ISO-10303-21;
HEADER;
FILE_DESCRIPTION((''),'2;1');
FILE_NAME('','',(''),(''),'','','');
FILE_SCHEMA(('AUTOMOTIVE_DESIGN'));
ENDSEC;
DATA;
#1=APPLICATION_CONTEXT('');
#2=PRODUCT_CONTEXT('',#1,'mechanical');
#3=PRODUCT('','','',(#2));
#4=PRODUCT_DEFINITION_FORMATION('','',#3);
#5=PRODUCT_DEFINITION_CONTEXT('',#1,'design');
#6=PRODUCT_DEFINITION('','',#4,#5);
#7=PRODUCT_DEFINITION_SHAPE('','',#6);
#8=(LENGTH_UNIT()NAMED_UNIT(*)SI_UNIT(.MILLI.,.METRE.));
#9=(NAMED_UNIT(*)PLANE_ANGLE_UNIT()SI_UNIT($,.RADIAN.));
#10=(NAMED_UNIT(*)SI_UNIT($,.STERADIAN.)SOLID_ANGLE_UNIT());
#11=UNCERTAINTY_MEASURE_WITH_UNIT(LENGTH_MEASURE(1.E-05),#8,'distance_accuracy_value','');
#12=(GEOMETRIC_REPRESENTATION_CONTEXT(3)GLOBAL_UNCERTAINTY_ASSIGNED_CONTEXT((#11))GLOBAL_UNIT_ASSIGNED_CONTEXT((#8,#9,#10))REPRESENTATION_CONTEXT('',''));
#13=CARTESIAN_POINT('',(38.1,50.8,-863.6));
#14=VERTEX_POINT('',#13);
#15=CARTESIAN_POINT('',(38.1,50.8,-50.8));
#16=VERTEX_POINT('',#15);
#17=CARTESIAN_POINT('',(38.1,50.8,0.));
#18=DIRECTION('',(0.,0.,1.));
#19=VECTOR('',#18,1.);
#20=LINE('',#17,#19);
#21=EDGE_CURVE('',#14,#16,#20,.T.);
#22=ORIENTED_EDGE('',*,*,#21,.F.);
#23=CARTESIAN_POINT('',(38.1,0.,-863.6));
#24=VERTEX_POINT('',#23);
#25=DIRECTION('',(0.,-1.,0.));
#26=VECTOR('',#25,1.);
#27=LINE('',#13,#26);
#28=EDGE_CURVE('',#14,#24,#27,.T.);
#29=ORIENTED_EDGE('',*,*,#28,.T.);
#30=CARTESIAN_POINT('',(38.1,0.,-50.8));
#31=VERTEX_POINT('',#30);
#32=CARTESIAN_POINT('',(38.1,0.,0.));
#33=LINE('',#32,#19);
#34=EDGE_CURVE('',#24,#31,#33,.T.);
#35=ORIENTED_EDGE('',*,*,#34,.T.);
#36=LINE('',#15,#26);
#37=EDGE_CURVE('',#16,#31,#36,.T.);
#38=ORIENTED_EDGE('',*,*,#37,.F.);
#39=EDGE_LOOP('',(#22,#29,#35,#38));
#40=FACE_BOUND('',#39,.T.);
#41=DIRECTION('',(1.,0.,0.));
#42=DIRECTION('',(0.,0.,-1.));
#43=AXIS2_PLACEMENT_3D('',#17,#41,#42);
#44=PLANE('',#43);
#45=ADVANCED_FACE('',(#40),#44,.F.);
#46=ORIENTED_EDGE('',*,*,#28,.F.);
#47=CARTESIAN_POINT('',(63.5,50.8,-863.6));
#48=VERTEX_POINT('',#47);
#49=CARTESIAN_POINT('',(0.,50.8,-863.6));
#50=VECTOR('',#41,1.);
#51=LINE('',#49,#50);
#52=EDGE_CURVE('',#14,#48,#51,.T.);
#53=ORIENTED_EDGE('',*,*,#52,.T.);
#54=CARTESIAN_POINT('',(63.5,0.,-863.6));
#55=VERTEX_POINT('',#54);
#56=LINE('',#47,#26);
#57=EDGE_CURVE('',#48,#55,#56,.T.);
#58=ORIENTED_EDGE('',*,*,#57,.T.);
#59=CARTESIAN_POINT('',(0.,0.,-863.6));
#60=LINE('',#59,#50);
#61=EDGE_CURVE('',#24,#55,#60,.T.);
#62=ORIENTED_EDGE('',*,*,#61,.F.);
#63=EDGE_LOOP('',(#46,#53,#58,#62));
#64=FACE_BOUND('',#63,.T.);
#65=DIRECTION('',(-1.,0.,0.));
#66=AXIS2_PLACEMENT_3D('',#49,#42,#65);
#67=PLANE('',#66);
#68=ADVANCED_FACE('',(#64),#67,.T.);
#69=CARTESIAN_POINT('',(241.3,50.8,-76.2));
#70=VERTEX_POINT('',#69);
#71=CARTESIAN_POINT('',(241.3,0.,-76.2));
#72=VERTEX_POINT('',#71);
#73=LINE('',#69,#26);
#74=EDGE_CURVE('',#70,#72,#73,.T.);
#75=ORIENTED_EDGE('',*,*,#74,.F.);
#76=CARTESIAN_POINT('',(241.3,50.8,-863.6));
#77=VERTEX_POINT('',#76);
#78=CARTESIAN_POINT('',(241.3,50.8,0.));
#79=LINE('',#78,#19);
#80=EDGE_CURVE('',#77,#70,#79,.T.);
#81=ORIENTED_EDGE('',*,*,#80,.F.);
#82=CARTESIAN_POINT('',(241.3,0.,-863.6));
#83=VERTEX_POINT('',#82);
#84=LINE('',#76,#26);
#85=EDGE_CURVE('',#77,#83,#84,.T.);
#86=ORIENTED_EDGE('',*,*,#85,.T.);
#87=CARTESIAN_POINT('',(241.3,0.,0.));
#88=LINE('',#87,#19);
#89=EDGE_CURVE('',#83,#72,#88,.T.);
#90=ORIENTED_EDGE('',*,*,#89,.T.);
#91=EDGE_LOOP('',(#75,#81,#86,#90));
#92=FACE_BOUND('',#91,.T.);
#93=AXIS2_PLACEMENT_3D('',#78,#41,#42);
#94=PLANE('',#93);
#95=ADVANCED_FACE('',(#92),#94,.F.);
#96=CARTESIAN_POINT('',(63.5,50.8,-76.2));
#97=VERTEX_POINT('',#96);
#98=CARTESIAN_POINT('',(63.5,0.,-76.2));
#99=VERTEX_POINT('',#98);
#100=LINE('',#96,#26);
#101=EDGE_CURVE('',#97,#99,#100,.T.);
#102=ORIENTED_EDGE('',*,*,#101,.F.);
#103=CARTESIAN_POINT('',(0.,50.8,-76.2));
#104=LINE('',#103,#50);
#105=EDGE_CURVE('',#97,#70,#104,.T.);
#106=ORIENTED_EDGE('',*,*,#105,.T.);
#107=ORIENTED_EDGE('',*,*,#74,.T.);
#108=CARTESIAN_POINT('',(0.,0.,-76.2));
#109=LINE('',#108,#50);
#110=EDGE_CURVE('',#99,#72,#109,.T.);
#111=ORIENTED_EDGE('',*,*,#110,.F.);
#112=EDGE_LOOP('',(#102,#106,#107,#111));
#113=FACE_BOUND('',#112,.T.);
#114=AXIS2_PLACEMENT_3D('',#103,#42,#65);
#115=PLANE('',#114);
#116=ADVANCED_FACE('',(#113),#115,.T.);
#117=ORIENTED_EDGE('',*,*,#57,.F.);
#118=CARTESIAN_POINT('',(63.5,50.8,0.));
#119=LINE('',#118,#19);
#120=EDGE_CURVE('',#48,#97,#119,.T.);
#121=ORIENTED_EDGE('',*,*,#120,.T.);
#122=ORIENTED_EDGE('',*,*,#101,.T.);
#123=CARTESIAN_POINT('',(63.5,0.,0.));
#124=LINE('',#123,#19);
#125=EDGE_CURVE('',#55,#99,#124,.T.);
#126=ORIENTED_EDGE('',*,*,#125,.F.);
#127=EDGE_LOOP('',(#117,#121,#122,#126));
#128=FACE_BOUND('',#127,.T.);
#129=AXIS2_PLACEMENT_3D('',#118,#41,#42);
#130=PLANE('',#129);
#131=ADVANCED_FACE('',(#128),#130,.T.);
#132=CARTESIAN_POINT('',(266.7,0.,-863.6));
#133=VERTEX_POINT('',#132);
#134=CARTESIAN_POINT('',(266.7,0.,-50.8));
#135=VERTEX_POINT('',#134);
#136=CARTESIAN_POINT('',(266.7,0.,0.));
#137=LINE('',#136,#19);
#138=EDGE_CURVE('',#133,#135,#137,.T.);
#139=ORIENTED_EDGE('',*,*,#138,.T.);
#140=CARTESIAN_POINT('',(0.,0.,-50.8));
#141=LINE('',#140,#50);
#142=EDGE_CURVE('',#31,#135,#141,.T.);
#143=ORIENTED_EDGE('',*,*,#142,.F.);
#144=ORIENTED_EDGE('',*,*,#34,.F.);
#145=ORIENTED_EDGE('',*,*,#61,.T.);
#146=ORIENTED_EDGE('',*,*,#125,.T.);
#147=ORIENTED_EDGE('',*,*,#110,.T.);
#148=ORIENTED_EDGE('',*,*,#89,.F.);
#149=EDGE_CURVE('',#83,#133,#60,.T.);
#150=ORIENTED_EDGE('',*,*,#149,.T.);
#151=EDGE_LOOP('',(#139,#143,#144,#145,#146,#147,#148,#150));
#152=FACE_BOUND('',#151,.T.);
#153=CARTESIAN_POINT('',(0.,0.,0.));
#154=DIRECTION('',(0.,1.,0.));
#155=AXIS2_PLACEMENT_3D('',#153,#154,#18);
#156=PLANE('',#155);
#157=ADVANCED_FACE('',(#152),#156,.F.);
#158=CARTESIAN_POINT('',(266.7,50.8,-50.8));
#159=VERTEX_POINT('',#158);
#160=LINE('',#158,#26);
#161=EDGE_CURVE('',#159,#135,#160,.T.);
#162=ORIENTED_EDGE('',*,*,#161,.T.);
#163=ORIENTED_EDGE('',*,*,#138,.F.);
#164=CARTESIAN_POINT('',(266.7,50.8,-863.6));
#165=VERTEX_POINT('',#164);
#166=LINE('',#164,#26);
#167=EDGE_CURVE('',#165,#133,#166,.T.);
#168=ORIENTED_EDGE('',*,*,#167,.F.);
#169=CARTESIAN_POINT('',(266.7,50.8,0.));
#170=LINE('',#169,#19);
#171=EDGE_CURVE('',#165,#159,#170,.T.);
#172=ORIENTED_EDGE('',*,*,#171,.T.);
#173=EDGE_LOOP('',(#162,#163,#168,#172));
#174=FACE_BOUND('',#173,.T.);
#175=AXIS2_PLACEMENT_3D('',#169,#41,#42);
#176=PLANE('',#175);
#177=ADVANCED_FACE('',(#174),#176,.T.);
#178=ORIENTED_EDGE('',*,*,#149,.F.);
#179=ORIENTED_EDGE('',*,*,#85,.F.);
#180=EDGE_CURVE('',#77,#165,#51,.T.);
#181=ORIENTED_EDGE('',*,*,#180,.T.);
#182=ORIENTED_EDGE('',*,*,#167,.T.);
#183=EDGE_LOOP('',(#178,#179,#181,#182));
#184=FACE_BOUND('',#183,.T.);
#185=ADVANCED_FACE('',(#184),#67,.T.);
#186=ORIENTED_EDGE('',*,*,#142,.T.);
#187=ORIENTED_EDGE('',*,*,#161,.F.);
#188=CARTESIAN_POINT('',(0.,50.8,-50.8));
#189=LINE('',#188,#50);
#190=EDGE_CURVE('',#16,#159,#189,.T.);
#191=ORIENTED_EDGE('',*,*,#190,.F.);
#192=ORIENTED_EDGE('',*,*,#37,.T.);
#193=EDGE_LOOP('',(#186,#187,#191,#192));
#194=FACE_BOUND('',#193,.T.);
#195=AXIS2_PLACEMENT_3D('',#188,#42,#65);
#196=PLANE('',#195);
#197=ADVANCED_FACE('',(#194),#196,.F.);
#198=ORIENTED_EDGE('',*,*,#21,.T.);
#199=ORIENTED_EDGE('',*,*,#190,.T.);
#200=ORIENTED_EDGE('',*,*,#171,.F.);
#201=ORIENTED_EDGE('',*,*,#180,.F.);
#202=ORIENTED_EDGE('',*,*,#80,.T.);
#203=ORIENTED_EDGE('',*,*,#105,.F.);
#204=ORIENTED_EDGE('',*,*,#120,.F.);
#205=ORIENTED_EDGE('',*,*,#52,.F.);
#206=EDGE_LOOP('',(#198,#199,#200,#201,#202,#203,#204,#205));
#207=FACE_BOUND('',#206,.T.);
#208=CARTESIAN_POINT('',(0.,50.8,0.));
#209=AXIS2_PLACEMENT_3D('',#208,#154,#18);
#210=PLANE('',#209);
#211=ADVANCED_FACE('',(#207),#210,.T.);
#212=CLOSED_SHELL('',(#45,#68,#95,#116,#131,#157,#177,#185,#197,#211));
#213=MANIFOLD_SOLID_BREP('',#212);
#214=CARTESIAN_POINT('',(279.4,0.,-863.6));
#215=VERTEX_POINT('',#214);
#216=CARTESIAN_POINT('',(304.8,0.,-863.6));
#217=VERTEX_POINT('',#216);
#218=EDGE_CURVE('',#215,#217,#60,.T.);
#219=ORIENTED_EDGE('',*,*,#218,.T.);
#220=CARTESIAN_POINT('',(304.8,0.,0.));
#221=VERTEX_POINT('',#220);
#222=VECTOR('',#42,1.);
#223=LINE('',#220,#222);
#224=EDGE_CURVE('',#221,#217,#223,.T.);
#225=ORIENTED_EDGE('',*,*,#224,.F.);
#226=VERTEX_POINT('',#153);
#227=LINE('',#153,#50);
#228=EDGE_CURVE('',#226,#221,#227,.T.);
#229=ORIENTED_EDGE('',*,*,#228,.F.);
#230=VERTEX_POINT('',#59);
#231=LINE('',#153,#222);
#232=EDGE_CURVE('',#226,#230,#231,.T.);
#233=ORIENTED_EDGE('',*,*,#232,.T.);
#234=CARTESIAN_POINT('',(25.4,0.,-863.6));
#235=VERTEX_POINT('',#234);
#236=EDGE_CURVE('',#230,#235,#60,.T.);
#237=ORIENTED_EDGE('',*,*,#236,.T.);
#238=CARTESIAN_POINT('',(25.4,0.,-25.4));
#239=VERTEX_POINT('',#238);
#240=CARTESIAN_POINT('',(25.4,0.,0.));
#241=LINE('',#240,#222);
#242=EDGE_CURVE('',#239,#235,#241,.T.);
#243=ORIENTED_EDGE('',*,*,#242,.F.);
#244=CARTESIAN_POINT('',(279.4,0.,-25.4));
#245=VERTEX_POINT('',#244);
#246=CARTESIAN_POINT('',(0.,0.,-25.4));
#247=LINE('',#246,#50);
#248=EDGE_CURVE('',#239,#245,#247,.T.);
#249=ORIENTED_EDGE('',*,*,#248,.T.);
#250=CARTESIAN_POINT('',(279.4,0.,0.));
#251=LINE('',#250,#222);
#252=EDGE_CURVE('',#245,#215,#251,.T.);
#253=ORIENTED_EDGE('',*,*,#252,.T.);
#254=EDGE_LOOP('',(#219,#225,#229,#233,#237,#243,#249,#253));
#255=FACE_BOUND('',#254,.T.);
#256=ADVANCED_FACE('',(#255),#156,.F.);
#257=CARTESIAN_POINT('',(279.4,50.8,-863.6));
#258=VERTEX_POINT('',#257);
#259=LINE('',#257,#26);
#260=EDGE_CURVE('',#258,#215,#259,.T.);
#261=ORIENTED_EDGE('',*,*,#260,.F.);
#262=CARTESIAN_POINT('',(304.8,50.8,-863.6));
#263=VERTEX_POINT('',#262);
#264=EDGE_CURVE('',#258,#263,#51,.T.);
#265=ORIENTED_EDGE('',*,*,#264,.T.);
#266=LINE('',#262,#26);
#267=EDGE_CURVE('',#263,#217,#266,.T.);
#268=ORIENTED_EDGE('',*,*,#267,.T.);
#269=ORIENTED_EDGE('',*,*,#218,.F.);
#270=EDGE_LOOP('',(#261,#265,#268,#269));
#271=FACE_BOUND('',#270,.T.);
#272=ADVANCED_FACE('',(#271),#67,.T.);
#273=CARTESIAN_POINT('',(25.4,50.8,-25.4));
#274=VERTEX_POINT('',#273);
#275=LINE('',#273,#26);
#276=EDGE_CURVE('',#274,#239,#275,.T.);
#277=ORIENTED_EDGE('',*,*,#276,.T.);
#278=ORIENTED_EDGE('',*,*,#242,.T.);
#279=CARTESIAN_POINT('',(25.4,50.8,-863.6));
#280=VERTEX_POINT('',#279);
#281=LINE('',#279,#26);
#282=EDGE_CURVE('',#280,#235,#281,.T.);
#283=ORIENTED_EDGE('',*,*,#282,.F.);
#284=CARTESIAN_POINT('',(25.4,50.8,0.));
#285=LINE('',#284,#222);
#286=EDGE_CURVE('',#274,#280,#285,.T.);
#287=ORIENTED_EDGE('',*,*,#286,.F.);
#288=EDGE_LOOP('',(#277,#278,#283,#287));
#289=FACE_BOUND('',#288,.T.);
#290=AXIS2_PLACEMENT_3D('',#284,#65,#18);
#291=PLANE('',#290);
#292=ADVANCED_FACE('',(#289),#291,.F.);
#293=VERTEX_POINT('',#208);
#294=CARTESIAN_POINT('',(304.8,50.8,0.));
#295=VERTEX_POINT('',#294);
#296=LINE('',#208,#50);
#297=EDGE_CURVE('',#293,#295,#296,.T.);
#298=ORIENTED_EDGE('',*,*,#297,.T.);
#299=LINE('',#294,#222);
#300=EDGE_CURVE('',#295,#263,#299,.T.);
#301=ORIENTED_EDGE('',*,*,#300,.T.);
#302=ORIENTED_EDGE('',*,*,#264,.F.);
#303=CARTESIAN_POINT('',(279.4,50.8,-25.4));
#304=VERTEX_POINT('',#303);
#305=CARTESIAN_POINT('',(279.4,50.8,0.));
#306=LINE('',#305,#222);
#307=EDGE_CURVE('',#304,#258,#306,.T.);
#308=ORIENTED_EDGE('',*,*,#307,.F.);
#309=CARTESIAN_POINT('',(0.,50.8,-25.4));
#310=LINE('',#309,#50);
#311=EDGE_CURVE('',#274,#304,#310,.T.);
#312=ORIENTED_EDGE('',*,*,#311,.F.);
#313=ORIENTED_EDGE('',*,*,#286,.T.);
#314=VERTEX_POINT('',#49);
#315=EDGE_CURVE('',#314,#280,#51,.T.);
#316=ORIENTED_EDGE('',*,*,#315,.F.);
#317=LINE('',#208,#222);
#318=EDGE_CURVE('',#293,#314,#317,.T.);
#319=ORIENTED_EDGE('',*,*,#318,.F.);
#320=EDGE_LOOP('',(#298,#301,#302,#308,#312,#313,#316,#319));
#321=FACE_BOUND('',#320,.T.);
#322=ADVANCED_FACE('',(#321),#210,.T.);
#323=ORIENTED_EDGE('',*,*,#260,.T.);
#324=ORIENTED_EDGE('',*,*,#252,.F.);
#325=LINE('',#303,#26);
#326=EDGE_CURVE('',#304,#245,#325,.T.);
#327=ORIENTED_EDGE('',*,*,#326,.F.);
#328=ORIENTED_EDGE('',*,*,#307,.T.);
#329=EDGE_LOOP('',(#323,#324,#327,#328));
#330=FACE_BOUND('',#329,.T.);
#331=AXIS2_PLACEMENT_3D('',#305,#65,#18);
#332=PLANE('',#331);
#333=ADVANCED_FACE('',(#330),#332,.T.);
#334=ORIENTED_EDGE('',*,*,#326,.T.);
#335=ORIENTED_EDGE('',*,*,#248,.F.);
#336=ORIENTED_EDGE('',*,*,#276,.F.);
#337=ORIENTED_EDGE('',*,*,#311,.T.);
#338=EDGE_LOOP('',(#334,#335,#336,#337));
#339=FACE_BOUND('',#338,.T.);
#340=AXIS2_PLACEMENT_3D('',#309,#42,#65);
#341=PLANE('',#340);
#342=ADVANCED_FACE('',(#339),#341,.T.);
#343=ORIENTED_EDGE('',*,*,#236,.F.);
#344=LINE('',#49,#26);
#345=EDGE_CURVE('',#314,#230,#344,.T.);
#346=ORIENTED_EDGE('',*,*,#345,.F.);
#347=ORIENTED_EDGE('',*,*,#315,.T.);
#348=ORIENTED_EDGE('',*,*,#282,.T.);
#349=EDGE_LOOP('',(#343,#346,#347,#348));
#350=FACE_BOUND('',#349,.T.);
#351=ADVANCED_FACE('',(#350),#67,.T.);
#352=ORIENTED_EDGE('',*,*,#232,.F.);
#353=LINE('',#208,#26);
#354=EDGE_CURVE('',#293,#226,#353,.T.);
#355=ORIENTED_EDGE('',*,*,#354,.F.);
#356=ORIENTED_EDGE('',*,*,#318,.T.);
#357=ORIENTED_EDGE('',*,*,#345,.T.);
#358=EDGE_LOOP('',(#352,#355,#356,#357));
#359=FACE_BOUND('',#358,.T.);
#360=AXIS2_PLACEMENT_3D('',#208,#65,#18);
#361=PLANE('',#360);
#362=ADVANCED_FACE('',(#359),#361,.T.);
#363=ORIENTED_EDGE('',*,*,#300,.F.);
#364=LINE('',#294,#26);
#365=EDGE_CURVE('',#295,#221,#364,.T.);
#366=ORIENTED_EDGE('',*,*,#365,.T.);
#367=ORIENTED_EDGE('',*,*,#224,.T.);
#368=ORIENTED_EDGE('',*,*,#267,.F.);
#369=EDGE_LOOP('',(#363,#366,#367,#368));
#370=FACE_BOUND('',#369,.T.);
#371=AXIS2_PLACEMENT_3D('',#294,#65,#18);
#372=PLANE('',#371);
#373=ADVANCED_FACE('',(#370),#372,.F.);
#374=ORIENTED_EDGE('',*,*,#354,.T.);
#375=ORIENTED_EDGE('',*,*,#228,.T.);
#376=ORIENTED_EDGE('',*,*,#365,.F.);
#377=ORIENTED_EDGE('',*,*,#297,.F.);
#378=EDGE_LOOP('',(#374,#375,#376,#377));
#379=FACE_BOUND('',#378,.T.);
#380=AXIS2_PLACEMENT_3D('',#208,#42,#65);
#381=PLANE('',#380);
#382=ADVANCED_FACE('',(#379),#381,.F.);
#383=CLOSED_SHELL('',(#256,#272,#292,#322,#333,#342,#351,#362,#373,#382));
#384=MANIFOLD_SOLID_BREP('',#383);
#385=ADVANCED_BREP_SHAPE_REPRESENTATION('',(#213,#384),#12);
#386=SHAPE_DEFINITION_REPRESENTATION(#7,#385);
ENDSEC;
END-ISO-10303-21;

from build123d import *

# Parameters (mm, degrees)
BOSS_EXTRUDE1_DEPTH   = 50.8
BOSS_EXTRUDE1_2_DEPTH = 50.8


with BuildPart() as part:
    # Sketch1 → Boss-Extrude1 (new body)
    with BuildSketch(Plane(origin=(0, 0, 0), x_dir=(1, 0, 0), z_dir=(0, 1, 0))):
        Polygon((0, 863.6), (0, 0), (304.8, 0), (304.8, 863.6), (279.4, 863.6), (279.4, 25.4), (25.4, 25.4), (25.4, 863.6), align=None)
    extrude(amount=BOSS_EXTRUDE1_DEPTH)


with BuildPart() as body_2:
    # Sketch1 → Boss-Extrude1 2 (new body)
    with BuildSketch(Plane(origin=(0, 0, 0), x_dir=(1, 0, 0), z_dir=(0, 1, 0))):
        Polygon((63.5, 863.6), (38.1, 863.6), (38.1, 50.8), (266.7, 50.8), (266.7, 863.6), (241.3, 863.6), (241.3, 76.2), (63.5, 76.2), align=None)
    extrude(amount=BOSS_EXTRUDE1_2_DEPTH)


solid = Compound([part.part, body_2.part])
